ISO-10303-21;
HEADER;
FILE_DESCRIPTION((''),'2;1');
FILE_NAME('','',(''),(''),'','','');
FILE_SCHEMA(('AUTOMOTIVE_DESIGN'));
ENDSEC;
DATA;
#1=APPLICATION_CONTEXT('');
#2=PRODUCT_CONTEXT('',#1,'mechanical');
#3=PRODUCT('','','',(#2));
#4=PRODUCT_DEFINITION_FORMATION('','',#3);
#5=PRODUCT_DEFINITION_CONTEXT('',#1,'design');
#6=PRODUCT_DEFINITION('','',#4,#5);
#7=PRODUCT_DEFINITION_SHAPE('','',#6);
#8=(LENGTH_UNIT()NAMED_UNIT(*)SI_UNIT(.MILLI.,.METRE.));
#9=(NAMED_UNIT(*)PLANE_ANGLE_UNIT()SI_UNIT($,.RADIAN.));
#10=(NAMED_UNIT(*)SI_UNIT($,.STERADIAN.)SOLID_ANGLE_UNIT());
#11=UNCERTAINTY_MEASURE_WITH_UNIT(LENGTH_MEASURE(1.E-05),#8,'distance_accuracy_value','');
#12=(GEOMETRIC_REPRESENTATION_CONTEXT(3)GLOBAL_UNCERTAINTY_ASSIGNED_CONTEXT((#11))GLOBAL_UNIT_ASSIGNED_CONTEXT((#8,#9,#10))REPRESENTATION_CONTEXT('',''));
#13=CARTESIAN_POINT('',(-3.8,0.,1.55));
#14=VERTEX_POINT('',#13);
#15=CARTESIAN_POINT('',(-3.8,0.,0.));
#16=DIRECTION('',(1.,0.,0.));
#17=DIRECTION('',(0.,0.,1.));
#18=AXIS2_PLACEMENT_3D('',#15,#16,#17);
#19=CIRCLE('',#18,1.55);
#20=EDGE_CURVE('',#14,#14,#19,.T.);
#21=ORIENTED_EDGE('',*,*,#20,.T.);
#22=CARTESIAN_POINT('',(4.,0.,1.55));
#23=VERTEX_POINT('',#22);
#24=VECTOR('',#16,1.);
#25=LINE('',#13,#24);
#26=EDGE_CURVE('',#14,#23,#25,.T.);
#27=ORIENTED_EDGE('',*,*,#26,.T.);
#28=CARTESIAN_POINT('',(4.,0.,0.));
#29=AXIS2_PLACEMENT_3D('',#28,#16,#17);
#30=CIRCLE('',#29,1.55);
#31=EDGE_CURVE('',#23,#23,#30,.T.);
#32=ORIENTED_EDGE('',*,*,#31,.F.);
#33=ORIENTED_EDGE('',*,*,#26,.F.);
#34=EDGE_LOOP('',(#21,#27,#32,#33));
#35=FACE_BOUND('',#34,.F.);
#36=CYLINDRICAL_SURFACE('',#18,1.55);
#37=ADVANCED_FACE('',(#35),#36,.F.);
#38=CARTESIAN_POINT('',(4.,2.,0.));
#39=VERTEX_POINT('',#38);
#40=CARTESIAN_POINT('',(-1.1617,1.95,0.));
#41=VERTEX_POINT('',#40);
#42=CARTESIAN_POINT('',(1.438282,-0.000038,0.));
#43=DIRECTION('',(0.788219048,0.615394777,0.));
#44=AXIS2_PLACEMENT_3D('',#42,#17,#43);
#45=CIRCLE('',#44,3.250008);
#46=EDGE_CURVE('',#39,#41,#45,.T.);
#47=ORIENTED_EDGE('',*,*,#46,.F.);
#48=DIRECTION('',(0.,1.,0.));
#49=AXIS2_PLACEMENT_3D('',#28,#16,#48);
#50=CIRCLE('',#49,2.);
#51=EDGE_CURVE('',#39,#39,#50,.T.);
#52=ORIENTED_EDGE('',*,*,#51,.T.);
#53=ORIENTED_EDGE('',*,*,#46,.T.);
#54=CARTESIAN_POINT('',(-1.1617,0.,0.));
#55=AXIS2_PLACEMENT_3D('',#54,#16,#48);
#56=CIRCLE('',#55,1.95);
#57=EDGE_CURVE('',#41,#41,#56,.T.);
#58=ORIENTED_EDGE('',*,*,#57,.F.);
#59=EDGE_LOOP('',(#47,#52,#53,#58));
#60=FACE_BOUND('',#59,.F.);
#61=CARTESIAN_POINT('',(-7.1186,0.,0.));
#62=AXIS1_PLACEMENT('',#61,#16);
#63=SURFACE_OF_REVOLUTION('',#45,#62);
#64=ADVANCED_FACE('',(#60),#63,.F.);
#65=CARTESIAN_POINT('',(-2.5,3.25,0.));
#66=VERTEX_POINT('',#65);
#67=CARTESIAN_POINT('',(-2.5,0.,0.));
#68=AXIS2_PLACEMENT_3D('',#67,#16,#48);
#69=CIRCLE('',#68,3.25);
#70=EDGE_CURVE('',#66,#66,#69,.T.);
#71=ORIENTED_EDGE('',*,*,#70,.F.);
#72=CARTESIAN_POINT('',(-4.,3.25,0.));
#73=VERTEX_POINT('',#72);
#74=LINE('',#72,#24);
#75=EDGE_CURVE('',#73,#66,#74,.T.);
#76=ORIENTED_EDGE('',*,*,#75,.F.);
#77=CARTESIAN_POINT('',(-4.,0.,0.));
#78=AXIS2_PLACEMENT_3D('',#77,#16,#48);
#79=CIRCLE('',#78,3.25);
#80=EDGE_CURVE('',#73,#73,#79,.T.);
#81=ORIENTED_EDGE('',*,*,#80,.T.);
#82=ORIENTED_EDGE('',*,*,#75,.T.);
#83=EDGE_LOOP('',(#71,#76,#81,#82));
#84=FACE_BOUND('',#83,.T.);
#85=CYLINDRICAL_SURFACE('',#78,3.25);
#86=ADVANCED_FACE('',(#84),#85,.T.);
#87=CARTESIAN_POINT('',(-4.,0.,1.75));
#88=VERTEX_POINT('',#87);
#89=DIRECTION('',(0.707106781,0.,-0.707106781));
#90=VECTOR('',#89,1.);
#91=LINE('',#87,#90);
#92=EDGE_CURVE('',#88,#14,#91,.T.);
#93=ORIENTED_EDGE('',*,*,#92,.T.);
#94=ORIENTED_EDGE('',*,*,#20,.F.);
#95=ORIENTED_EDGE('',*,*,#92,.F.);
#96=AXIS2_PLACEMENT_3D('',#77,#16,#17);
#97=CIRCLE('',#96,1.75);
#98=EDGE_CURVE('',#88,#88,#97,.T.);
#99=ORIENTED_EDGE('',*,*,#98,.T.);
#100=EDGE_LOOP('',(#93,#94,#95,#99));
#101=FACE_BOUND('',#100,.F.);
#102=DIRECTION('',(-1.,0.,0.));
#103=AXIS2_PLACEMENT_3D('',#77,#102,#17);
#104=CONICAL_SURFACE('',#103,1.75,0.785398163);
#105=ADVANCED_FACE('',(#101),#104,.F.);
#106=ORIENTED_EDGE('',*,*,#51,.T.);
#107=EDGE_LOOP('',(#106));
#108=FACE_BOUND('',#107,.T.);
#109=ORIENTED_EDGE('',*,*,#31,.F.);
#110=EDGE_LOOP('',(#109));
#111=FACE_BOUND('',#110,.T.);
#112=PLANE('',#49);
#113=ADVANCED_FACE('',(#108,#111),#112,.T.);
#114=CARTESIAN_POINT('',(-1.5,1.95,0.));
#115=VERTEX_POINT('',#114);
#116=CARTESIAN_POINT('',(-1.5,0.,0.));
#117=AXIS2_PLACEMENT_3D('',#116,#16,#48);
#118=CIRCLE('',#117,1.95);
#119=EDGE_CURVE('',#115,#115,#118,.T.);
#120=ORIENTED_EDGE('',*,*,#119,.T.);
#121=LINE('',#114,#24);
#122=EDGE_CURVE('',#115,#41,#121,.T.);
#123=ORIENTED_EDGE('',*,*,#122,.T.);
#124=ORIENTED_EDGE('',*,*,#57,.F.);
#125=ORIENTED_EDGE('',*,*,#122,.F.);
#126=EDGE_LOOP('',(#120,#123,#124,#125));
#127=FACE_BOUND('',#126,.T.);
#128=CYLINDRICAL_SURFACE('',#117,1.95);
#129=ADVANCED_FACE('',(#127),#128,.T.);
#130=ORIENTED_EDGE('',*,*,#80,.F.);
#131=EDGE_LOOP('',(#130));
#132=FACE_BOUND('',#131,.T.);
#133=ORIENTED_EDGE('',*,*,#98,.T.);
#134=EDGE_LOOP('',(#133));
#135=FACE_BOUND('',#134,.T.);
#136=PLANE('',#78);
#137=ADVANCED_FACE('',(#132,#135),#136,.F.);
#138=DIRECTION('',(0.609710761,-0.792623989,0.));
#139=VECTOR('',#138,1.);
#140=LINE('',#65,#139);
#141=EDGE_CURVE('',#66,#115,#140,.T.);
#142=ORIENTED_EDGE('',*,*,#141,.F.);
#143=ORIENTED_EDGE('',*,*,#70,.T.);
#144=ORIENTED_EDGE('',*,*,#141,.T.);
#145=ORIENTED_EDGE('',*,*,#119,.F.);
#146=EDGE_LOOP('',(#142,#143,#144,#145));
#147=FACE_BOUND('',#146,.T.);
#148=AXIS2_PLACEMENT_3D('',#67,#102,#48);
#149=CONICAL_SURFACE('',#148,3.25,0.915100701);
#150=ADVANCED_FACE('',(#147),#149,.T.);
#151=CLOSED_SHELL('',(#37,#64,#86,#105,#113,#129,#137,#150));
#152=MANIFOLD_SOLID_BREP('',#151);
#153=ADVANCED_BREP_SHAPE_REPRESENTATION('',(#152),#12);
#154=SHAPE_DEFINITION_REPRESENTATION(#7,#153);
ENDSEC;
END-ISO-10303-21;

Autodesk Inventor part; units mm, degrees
ref_plane "YZ Plane" through (0, 0, 0) normal (1, 0, 0) x (0, 1, 0)
ref_plane "XZ Plane" through (0, 0, 0) normal (0, 1, 0) x (-1, 0, 0)
ref_plane "XY Plane" through (0, 0, 0) normal (0, 0, 1) x (1, 0, 0)
sketch "Esquisse1" plane through (0, 0, 0) normal (0, 0, 1) x (1, 0, 0)
  line L0 (-7.1186, 0) -> (5.8768, 0)
  line L1 (-4, 0) -> (-4, 3.25)
  line L2 (-4, 3.25) -> (-2.5, 3.25)
  line L3 (-2.5, 3.25) -> (-1.5, 1.95)
  line L4 (-1.5, 1.95) -> (-1.1617, 1.95)
  arc A0 (4, 2) -> (-1.1617, 1.95) centre (1.4383, 0) ccw
  line L5 (4, 2) -> (4, 0)
  line L6 (-4, 0) -> (4, 0)
  point P0 (0, 0)
  dimension "d1" = 6.5
  dimension "d2" = 8
  dimension "d3" = 1.5
  dimension "d5" = 2.5
  dimension "d6" = 4
  dimension "d7" = 6.5
  dimension "d8" = 4
  dimension "d9" = 3.9
revolve "Révolution1" add sketch "Esquisse1" angle 360 about axis through (-7.1186, 0, 0) along (1, 0, 0)
sketch "Esquisse2" plane through (-4, 0, 0) normal (-1, 0, 0) x (0, 0, 1)
  point P0 (0, 0)
  point P1 (0, 0)
hole "Perçage1" at (-4, 0, 0) direction (1, 0, 0) diameter 3.1 end through all countersink diameter 3.5 countersink angle 90
equation "\"d8\" = 0.5 * d2"
properties part number "Rotule avec meplat" material "Laiton, jaune doux"
